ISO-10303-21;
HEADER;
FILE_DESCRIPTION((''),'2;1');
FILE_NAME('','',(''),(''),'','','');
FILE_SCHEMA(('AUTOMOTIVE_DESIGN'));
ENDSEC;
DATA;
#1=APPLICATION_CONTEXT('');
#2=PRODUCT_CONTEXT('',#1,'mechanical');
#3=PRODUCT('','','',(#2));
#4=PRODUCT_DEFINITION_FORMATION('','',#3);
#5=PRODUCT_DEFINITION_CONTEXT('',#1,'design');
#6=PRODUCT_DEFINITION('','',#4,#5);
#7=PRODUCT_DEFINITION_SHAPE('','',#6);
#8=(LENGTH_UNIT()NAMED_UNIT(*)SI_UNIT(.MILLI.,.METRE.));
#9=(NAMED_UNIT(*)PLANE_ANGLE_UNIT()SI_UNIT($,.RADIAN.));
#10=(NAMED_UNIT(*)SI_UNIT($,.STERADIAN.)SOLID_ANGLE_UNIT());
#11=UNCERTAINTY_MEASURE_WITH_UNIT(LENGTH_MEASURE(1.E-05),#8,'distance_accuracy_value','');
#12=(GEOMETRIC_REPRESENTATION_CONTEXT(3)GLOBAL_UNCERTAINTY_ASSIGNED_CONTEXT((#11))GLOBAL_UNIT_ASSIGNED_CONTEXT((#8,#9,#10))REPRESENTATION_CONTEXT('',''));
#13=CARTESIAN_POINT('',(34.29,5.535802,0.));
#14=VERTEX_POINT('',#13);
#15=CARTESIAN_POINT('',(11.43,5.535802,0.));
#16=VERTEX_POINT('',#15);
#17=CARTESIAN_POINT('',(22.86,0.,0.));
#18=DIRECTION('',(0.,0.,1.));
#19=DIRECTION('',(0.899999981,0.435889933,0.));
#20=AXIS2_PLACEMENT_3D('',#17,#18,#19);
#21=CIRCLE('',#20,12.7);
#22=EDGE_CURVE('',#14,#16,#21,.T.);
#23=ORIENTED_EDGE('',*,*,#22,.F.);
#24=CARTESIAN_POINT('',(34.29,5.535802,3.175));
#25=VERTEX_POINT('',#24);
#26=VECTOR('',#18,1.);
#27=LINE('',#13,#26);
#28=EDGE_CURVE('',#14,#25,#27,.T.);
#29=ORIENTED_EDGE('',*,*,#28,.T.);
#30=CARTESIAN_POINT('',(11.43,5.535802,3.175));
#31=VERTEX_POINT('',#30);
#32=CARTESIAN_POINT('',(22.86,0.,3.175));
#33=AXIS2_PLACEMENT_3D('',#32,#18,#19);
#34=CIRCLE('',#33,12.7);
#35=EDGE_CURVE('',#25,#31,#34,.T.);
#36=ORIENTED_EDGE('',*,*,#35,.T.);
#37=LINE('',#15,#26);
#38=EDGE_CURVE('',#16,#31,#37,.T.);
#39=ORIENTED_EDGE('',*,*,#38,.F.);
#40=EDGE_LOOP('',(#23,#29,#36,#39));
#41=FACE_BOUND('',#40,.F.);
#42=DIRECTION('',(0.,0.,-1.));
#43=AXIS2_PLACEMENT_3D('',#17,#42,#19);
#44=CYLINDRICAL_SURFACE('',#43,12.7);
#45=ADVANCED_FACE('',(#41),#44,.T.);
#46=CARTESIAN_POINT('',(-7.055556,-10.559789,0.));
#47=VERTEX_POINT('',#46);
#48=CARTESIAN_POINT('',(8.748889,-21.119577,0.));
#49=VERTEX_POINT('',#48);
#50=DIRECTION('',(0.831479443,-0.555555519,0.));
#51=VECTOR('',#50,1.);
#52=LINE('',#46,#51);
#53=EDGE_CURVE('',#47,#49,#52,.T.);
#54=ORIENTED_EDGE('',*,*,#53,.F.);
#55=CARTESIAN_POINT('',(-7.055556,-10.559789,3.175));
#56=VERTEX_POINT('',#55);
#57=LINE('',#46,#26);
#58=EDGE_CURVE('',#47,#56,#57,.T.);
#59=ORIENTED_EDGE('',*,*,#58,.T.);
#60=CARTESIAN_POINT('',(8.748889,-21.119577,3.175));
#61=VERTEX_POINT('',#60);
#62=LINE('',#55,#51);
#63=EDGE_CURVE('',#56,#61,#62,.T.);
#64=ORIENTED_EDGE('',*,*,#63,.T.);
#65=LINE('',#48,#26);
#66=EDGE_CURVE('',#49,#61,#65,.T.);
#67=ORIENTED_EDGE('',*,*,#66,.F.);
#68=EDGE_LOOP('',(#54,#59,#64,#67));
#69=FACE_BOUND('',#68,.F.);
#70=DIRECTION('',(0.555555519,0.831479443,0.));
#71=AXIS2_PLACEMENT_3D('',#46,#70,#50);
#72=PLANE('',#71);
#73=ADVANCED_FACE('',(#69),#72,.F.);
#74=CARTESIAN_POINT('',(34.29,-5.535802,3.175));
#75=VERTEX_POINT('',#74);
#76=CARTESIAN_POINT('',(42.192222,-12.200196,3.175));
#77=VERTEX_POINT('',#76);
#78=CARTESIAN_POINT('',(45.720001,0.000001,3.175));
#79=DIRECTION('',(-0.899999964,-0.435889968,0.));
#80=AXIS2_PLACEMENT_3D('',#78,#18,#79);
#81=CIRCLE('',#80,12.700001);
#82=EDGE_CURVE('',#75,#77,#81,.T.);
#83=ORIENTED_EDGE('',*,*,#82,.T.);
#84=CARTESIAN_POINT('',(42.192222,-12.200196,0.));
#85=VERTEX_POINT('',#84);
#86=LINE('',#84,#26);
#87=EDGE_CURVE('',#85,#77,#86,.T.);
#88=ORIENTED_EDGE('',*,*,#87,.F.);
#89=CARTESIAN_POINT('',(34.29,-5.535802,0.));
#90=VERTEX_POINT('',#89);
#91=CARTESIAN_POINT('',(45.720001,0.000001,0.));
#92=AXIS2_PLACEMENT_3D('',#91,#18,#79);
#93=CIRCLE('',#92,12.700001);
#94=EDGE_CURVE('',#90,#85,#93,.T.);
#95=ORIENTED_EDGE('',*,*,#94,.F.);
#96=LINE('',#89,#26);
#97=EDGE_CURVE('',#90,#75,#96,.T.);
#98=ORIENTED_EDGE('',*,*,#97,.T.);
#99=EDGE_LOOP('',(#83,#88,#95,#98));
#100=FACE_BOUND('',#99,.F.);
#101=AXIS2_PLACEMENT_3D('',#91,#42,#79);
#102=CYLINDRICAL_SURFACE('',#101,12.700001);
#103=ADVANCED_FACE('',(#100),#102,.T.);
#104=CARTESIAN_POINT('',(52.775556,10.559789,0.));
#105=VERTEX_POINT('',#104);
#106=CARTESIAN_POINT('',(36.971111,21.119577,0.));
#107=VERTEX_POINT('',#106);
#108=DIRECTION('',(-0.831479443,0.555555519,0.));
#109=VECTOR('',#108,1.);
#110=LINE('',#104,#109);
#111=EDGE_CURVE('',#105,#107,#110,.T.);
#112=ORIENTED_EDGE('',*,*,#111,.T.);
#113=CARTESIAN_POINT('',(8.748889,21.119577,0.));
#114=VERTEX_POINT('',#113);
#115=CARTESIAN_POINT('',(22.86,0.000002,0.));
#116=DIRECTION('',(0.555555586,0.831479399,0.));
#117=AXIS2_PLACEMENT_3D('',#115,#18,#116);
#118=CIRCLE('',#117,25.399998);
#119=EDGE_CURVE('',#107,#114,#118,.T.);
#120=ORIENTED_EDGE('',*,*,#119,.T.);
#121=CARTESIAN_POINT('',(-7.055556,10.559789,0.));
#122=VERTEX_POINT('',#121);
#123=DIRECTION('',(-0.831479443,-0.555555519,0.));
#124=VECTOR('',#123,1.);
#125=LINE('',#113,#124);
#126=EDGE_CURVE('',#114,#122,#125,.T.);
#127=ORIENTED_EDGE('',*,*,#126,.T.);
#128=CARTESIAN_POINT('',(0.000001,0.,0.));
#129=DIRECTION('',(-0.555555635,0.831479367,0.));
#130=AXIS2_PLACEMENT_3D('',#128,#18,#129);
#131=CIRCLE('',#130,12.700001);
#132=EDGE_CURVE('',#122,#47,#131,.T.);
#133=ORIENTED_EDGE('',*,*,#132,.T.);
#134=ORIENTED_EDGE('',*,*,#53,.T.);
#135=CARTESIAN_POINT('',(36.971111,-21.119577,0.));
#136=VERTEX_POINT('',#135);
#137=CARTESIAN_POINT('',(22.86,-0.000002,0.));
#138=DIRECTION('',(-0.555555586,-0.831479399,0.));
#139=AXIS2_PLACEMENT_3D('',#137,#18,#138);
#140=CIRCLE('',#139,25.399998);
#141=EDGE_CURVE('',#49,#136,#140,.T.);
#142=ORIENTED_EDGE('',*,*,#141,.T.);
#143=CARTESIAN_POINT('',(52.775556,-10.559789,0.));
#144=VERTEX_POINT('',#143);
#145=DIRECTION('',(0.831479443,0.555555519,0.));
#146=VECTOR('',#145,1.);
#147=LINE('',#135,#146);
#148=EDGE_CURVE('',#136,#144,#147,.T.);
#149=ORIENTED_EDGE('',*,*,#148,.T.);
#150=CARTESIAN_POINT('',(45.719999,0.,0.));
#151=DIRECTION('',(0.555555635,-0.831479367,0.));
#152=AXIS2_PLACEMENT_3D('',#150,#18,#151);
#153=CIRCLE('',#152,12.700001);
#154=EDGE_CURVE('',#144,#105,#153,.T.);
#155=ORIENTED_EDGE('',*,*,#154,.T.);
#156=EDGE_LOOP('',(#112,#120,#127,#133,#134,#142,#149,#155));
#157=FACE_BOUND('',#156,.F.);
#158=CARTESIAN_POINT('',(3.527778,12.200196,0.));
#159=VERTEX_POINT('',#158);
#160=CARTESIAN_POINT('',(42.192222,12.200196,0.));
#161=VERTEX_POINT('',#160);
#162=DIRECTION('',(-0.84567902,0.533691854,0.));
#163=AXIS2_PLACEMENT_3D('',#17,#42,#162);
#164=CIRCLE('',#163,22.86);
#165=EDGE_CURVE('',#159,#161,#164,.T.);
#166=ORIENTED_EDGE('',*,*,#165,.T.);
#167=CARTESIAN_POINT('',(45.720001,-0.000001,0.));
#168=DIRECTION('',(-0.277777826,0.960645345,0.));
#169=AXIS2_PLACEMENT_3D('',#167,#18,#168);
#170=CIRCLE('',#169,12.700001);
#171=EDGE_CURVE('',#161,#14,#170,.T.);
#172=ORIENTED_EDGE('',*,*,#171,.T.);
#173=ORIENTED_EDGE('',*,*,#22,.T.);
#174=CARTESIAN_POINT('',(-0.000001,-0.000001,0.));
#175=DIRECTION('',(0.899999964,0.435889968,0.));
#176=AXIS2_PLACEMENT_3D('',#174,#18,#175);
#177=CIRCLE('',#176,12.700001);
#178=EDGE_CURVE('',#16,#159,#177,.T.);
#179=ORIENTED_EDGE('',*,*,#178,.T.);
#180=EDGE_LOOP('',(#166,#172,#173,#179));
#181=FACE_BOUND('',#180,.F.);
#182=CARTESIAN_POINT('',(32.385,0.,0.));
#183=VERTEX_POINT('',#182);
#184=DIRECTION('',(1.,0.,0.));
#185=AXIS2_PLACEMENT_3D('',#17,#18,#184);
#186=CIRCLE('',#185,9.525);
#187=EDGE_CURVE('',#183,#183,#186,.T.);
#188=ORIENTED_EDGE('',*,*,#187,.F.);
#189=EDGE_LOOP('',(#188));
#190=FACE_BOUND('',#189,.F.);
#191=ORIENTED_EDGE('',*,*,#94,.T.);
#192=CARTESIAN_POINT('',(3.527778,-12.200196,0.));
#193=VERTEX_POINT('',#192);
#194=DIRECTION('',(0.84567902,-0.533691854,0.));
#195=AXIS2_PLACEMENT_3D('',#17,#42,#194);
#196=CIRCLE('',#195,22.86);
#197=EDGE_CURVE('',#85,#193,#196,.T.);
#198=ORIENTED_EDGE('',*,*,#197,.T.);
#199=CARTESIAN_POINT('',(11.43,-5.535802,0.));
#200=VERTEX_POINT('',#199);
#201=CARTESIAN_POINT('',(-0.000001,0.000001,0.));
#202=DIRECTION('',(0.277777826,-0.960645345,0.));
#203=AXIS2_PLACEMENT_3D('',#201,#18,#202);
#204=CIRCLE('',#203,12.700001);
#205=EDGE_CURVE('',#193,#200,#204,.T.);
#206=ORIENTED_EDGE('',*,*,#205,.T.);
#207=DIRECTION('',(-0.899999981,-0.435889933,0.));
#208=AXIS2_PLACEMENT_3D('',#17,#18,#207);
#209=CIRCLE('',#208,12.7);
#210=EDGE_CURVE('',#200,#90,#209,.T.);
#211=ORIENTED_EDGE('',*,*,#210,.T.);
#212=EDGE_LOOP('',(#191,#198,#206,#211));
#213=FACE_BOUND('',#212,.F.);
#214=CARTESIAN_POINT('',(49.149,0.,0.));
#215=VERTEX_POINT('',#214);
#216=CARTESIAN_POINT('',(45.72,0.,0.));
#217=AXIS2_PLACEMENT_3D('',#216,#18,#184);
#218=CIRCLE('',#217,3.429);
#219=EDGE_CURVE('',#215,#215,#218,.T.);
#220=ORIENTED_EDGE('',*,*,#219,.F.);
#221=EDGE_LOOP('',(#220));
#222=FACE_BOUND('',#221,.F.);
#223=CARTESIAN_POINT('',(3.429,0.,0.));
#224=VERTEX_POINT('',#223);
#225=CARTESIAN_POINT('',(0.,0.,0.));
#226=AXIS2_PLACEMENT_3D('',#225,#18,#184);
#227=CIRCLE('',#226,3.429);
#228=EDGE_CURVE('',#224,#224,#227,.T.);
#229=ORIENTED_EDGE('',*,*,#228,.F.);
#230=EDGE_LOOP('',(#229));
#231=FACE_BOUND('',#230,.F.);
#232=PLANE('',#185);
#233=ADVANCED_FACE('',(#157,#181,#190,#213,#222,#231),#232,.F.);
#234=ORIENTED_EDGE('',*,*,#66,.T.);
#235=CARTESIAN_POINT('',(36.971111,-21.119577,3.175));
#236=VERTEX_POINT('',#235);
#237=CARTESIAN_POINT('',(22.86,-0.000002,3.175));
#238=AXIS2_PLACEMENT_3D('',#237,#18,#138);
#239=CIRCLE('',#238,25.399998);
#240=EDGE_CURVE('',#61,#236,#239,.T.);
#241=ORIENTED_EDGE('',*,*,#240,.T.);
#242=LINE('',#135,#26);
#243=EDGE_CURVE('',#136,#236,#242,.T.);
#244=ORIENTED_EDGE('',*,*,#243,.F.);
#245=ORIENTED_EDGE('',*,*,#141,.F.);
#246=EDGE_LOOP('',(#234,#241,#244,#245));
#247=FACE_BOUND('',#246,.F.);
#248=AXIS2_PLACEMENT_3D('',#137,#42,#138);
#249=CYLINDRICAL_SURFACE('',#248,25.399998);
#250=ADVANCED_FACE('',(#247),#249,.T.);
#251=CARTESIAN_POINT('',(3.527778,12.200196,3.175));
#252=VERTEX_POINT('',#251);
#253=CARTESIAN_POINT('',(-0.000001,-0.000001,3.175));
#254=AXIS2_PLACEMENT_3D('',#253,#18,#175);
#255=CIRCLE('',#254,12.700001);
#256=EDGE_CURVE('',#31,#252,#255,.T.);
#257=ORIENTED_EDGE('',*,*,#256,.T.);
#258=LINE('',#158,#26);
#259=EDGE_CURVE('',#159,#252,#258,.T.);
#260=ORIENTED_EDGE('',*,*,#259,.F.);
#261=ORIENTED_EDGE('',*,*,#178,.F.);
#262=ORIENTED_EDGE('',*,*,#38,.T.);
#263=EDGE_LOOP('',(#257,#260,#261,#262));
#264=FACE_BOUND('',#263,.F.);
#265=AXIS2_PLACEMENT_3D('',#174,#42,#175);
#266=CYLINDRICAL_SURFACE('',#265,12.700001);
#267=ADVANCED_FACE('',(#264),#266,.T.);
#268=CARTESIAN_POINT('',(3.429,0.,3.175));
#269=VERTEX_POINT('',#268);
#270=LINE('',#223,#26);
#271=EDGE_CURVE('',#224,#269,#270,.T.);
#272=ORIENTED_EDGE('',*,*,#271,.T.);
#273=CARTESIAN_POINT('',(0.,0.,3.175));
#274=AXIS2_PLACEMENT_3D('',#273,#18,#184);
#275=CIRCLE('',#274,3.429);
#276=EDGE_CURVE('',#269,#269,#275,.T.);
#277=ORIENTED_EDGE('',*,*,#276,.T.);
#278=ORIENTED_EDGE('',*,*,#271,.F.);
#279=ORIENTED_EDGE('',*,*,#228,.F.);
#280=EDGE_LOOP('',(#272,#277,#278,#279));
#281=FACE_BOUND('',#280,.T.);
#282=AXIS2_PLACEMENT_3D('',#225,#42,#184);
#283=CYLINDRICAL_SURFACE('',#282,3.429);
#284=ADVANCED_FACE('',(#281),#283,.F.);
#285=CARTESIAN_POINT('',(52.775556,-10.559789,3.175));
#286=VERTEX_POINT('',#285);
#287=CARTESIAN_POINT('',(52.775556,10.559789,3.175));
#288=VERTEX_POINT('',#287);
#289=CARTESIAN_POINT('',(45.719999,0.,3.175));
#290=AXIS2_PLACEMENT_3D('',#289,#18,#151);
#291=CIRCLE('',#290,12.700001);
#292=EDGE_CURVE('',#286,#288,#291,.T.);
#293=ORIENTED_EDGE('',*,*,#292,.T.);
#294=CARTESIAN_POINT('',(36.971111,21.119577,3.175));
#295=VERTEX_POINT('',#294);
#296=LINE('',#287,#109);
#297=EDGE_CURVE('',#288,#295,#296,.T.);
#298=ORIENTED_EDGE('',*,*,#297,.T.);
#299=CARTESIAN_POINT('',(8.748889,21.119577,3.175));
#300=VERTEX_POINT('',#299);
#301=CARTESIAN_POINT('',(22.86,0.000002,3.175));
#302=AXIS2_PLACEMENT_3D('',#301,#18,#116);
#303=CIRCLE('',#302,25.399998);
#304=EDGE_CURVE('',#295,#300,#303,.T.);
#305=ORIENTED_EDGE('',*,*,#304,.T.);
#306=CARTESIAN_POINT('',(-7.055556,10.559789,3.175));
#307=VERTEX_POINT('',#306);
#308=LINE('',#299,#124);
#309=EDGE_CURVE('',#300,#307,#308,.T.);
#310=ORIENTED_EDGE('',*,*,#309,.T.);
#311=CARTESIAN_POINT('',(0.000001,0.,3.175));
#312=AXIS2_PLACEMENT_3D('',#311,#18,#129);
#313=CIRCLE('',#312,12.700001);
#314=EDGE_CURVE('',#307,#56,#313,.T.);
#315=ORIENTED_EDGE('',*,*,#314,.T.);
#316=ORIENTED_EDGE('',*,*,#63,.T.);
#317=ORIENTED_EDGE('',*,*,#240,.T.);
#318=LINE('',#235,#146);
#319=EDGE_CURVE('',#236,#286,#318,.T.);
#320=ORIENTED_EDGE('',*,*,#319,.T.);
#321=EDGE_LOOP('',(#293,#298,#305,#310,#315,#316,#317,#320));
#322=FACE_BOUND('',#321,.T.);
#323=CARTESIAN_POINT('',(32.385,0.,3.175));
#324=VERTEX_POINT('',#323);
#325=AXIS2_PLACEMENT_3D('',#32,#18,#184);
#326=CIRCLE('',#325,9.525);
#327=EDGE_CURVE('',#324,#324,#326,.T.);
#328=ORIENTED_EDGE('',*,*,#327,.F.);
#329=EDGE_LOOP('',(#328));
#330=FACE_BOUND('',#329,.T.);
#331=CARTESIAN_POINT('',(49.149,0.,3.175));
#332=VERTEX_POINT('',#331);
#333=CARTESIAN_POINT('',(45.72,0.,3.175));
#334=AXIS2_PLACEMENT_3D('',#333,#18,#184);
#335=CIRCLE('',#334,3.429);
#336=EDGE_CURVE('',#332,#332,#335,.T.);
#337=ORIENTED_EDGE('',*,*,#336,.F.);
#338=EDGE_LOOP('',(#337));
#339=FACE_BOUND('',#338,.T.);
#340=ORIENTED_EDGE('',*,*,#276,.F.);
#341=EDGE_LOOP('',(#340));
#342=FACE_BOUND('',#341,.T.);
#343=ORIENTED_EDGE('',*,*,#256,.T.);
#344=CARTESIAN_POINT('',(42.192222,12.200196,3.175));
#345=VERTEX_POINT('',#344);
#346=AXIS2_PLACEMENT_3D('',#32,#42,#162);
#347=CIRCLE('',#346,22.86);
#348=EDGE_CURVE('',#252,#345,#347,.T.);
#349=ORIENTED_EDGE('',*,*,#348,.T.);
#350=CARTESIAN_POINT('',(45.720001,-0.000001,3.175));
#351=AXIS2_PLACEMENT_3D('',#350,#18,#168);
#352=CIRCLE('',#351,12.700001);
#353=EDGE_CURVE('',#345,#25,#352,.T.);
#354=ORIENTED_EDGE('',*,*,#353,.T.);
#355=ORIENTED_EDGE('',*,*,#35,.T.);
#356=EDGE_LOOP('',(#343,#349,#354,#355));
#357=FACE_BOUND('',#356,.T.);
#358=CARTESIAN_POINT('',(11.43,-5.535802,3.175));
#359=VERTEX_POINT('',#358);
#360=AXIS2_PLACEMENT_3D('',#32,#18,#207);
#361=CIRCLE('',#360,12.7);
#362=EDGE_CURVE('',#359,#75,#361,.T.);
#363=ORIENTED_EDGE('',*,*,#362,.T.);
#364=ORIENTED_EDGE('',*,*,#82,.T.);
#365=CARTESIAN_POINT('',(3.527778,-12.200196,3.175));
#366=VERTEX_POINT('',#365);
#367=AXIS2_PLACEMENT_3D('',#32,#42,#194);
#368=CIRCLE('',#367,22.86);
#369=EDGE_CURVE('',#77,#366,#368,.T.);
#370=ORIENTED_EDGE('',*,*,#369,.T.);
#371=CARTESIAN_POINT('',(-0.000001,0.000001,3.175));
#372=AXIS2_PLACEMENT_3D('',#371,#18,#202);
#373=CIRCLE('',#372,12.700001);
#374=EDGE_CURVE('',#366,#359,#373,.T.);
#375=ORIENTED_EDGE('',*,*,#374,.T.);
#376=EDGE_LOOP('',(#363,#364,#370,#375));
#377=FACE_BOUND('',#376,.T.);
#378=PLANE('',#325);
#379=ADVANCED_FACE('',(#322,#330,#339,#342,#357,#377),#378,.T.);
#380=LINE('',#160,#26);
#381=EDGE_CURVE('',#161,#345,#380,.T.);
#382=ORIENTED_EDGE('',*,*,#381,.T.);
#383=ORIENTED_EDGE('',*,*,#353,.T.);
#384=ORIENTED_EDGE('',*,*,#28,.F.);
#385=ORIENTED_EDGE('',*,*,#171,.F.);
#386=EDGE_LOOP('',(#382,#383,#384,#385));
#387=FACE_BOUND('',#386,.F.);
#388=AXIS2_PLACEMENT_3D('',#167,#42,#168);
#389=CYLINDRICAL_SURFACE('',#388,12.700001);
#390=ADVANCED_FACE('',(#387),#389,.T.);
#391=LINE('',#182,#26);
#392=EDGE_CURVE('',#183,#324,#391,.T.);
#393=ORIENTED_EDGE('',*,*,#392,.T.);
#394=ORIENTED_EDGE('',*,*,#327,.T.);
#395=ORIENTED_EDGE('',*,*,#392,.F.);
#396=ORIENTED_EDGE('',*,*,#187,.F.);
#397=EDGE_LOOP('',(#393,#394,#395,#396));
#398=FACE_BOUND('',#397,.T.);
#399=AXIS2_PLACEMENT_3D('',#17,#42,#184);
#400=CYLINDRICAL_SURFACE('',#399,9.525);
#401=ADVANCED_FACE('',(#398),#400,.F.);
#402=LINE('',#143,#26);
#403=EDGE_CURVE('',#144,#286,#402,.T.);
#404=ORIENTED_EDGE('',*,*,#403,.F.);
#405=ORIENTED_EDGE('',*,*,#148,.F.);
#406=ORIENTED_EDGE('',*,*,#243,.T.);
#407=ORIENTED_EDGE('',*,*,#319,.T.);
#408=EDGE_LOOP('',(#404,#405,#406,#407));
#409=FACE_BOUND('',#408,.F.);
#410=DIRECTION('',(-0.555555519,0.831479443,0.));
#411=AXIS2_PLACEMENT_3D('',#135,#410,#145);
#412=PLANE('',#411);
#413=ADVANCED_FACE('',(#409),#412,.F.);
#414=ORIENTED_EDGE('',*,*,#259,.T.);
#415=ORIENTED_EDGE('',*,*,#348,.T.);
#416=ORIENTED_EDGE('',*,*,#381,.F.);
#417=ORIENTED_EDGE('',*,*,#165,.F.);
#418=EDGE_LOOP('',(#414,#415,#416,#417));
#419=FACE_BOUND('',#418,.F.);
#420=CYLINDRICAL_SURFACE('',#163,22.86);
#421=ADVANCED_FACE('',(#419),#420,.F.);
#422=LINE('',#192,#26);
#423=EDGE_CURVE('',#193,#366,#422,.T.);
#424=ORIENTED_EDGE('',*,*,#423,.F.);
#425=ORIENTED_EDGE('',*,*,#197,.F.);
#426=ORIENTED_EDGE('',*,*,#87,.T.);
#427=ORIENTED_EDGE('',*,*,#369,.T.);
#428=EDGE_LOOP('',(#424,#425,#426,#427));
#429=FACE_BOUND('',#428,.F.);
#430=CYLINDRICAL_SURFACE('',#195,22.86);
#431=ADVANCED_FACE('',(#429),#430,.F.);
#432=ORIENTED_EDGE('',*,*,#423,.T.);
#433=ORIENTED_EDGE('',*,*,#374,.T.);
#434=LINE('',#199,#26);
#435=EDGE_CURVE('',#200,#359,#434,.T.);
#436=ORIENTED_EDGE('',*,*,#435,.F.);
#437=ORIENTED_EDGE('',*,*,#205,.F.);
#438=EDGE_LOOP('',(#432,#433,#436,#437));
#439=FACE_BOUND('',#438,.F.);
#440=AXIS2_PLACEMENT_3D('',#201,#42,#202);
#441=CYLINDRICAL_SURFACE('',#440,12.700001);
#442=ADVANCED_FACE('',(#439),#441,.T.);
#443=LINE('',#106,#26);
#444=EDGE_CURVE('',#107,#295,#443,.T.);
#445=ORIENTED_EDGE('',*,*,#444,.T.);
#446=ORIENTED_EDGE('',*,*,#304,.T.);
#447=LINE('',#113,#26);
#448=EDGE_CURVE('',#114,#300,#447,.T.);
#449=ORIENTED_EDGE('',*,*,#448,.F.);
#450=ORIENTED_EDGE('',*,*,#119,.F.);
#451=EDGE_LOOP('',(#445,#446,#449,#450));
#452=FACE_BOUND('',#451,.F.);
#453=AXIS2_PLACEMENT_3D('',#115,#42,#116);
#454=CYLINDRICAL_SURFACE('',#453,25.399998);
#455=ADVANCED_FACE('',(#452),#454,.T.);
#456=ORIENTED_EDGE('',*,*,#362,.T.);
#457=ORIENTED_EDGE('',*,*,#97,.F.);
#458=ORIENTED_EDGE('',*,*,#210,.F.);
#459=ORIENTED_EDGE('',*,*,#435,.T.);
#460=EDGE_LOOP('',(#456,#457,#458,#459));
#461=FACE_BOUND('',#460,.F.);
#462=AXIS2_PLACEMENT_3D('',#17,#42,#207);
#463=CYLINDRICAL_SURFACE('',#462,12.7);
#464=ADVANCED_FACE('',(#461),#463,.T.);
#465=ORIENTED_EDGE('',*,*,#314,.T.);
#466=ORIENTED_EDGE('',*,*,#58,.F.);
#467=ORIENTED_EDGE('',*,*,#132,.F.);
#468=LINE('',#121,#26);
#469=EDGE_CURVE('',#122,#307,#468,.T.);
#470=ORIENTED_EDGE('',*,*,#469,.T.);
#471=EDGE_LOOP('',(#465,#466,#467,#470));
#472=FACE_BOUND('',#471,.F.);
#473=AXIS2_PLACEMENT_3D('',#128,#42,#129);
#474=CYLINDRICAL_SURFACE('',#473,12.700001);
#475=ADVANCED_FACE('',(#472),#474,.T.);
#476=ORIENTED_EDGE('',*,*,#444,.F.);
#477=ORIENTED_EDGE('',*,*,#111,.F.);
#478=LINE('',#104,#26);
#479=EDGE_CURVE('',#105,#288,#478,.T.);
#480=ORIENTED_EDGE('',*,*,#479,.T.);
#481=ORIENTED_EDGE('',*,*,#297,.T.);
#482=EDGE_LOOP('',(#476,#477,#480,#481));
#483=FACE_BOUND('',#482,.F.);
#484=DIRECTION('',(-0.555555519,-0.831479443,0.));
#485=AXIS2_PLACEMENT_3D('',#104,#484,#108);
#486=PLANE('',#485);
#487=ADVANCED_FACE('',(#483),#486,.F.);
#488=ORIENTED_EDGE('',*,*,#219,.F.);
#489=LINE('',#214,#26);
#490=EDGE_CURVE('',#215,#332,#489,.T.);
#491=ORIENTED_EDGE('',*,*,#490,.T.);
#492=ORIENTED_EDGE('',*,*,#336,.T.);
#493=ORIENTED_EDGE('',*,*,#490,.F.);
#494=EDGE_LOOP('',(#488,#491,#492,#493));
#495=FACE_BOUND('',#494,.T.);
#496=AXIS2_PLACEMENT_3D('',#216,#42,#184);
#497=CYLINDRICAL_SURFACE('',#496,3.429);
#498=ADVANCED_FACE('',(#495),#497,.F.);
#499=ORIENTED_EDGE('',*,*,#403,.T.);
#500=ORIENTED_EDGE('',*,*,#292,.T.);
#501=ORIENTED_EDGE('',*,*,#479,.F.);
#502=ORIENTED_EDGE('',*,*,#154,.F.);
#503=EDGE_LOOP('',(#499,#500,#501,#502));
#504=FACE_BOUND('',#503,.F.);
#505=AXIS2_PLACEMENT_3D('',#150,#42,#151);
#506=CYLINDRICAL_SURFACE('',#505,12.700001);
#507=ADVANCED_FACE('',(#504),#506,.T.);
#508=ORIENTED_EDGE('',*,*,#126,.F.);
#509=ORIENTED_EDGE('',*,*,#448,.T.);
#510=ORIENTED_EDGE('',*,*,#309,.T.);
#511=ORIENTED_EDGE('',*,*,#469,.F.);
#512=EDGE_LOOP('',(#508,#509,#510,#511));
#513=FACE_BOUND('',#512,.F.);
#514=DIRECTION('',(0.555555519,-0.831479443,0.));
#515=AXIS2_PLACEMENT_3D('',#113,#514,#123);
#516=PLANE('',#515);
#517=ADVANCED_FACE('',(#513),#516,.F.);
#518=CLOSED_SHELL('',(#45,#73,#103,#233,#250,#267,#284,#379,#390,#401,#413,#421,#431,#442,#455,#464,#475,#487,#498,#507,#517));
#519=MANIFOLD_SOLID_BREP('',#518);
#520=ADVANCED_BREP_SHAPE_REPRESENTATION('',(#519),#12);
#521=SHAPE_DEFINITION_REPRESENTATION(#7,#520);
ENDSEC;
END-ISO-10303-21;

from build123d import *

# Parameters (mm, degrees)
F0_R     = 3.429
F0_R_2   = 9.525
F1_DEPTH = 3.175


with BuildPart() as f1:
    # F0 (on Top) → F1 (new body)
    with BuildSketch(Plane.XY):
        with BuildLine():
            Line((8.748889, 21.119577), (-7.055556, 10.559789))
            ThreePointArc((-7.055556, 10.559789), (-12.7, 0), (-7.055556, -10.559789))
            Line((-7.055556, -10.559789), (8.748889, -21.119577))
            ThreePointArc((8.748889, -21.119577), (22.86, -25.4), (36.971111, -21.119577))
            Line((36.971111, -21.119577), (52.775556, -10.559789))
            ThreePointArc((52.775556, -10.559789), (58.42, 0), (52.775556, 10.559789))
            Line((52.775556, 10.559789), (36.971111, 21.119577))
            ThreePointArc((36.971111, 21.119577), (22.86, 25.4), (8.748889, 21.119577))
        make_face()
        with BuildLine():
            ThreePointArc((42.192222, -12.200196), (22.86, -22.86), (3.527778, -12.200196))
            ThreePointArc((3.527778, -12.200196), (8.187632, -9.708382), (11.43, -5.535802))
            ThreePointArc((11.43, -5.535802), (22.86, -12.7), (34.29, -5.535802))
            ThreePointArc((34.29, -5.535802), (37.532368, -9.708382), (42.192222, -12.200196))
        make_face(mode=Mode.SUBTRACT)
        Circle(F0_R, mode=Mode.SUBTRACT)
        with Locations((22.86, 0)):
            Circle(F0_R_2, mode=Mode.SUBTRACT)
        with Locations((45.72, 0)):
            Circle(F0_R, mode=Mode.SUBTRACT)
        with BuildLine():
            ThreePointArc((42.192222, 12.200196), (37.532368, 9.708382), (34.29, 5.535802))
            ThreePointArc((34.29, 5.535802), (22.86, 12.7), (11.43, 5.535802))
            ThreePointArc((11.43, 5.535802), (8.187632, 9.708382), (3.527778, 12.200196))
            ThreePointArc((3.527778, 12.200196), (22.86, 22.86), (42.192222, 12.200196))
        make_face(mode=Mode.SUBTRACT)
    extrude(amount=F1_DEPTH)


solid = f1.part
